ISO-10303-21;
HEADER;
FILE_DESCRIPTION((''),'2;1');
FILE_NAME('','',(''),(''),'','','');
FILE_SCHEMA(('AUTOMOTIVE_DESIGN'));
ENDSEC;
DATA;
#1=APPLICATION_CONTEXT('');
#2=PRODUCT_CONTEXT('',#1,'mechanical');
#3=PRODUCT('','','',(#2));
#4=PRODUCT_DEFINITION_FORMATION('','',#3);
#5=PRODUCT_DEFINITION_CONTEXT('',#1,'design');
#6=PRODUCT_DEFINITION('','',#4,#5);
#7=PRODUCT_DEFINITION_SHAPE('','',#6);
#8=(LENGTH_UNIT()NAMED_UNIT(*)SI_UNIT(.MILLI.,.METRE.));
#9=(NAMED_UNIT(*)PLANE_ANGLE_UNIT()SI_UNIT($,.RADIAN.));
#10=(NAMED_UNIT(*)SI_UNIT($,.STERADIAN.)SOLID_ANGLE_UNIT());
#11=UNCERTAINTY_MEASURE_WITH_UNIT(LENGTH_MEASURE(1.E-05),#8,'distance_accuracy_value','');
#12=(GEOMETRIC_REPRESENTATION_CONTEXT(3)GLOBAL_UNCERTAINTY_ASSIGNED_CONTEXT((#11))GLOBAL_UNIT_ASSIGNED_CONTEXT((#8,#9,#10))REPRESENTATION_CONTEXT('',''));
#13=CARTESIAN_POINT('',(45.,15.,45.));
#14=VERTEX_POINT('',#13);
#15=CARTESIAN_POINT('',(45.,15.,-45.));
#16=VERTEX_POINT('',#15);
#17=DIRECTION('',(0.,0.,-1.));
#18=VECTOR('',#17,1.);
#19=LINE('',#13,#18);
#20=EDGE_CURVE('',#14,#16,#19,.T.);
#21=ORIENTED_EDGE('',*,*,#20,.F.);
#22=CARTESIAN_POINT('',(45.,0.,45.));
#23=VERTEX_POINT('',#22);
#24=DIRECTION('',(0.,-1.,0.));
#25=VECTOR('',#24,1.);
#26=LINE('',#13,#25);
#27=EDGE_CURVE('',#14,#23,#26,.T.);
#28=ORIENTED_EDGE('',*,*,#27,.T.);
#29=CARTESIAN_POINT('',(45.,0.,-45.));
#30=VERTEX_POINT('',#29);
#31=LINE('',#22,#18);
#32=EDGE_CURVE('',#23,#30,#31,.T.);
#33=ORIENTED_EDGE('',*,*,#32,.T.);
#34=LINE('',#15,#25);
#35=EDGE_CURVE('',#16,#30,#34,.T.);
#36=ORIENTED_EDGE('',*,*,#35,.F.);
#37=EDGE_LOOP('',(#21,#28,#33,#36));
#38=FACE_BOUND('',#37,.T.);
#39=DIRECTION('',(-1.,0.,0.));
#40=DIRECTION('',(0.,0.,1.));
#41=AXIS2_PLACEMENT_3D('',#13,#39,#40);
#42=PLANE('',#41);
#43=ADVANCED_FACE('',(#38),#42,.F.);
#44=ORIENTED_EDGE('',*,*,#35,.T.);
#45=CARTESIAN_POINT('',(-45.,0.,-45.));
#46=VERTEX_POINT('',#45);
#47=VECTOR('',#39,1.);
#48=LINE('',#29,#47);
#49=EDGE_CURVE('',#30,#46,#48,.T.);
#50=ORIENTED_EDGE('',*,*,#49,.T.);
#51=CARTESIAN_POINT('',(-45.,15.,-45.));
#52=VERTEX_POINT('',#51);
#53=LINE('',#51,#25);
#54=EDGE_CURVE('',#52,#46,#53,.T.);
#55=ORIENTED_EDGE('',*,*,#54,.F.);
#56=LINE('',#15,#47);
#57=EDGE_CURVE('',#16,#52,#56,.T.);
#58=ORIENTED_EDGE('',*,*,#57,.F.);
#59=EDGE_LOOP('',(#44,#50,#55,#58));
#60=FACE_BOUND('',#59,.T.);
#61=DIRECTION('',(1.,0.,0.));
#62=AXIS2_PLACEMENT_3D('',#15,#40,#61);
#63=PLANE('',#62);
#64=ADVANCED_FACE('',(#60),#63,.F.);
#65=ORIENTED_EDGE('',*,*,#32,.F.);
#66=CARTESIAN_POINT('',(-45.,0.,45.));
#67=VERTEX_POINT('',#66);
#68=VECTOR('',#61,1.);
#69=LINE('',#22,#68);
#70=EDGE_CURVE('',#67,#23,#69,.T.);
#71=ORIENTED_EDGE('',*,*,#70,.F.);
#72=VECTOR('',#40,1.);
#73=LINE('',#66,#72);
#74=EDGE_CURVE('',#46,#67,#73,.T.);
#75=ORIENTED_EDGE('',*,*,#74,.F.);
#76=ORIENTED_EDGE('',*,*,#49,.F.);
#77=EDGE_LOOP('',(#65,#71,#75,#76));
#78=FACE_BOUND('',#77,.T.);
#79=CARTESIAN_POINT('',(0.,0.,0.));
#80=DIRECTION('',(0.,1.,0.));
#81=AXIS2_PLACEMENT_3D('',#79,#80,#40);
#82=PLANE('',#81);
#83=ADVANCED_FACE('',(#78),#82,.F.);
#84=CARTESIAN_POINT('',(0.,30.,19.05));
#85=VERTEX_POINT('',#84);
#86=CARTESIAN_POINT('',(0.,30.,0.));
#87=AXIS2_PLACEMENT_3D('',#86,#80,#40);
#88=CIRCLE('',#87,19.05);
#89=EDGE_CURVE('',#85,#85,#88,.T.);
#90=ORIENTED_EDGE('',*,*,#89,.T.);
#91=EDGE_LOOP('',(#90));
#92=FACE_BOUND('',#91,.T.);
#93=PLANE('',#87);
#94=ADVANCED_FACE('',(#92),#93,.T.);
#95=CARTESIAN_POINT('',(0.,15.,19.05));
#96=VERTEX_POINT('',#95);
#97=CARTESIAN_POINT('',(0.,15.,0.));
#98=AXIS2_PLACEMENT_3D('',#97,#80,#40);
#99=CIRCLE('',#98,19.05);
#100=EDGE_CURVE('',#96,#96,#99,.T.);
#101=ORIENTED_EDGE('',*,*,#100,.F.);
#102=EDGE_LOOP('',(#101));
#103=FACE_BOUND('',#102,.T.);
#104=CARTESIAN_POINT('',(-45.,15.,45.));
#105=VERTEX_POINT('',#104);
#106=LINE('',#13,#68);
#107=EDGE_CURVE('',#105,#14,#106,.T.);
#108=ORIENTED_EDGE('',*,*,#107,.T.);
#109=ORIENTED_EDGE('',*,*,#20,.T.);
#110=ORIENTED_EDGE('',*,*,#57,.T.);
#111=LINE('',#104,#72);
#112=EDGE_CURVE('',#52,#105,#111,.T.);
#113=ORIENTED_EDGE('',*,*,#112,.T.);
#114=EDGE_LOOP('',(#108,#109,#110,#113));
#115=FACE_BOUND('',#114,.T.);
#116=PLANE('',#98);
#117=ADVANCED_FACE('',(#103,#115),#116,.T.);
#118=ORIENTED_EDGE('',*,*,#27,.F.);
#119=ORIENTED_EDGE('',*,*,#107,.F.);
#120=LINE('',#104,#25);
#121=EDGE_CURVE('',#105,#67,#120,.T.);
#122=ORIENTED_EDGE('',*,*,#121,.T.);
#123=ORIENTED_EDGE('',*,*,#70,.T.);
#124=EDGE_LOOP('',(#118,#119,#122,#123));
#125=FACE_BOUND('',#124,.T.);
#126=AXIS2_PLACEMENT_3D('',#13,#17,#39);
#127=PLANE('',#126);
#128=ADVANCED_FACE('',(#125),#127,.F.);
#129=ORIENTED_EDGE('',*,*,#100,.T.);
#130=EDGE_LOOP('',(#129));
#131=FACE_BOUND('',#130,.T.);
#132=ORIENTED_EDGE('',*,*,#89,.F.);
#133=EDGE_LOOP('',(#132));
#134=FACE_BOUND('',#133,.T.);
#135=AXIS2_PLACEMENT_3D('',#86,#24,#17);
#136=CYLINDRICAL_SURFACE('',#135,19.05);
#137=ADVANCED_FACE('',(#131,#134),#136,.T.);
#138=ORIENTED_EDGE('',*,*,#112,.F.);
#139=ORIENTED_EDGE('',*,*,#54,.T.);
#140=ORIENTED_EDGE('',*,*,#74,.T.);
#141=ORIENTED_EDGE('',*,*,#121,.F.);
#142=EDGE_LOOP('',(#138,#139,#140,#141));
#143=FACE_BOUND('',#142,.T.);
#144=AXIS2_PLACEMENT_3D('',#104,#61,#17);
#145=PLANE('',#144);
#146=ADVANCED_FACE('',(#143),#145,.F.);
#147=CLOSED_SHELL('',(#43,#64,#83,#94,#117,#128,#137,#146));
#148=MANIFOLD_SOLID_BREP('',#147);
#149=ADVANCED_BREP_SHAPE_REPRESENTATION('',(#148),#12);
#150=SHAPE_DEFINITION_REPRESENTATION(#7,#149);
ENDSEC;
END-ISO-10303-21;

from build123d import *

# Parameters (mm, degrees)
SKETCH1_W           = 90
SKETCH1_H           = 90
SKETCH1_R           = 19.05
BOSS_EXTRUDE1_DEPTH = 15
SKETCH1_2_R         = 19.05
BOSS_EXTRUDE2_DEPTH = 30


with BuildPart() as part:
    # Sketch1 → Boss-Extrude1 (new body)
    with BuildSketch(Plane(origin=(0, 0, 0), x_dir=(1, 0, 0), z_dir=(0, 1, 0))):
        Rectangle(SKETCH1_W, SKETCH1_H)
        Circle(SKETCH1_R, mode=Mode.SUBTRACT)
    extrude(amount=BOSS_EXTRUDE1_DEPTH)

    # Sketch1<2> → Boss-Extrude2 (add)
    with BuildSketch(Plane(origin=(0, 0, 0), x_dir=(1, 0, 0), z_dir=(0, 1, 0))):
        Circle(SKETCH1_2_R)
    extrude(amount=BOSS_EXTRUDE2_DEPTH)


solid = part.part
